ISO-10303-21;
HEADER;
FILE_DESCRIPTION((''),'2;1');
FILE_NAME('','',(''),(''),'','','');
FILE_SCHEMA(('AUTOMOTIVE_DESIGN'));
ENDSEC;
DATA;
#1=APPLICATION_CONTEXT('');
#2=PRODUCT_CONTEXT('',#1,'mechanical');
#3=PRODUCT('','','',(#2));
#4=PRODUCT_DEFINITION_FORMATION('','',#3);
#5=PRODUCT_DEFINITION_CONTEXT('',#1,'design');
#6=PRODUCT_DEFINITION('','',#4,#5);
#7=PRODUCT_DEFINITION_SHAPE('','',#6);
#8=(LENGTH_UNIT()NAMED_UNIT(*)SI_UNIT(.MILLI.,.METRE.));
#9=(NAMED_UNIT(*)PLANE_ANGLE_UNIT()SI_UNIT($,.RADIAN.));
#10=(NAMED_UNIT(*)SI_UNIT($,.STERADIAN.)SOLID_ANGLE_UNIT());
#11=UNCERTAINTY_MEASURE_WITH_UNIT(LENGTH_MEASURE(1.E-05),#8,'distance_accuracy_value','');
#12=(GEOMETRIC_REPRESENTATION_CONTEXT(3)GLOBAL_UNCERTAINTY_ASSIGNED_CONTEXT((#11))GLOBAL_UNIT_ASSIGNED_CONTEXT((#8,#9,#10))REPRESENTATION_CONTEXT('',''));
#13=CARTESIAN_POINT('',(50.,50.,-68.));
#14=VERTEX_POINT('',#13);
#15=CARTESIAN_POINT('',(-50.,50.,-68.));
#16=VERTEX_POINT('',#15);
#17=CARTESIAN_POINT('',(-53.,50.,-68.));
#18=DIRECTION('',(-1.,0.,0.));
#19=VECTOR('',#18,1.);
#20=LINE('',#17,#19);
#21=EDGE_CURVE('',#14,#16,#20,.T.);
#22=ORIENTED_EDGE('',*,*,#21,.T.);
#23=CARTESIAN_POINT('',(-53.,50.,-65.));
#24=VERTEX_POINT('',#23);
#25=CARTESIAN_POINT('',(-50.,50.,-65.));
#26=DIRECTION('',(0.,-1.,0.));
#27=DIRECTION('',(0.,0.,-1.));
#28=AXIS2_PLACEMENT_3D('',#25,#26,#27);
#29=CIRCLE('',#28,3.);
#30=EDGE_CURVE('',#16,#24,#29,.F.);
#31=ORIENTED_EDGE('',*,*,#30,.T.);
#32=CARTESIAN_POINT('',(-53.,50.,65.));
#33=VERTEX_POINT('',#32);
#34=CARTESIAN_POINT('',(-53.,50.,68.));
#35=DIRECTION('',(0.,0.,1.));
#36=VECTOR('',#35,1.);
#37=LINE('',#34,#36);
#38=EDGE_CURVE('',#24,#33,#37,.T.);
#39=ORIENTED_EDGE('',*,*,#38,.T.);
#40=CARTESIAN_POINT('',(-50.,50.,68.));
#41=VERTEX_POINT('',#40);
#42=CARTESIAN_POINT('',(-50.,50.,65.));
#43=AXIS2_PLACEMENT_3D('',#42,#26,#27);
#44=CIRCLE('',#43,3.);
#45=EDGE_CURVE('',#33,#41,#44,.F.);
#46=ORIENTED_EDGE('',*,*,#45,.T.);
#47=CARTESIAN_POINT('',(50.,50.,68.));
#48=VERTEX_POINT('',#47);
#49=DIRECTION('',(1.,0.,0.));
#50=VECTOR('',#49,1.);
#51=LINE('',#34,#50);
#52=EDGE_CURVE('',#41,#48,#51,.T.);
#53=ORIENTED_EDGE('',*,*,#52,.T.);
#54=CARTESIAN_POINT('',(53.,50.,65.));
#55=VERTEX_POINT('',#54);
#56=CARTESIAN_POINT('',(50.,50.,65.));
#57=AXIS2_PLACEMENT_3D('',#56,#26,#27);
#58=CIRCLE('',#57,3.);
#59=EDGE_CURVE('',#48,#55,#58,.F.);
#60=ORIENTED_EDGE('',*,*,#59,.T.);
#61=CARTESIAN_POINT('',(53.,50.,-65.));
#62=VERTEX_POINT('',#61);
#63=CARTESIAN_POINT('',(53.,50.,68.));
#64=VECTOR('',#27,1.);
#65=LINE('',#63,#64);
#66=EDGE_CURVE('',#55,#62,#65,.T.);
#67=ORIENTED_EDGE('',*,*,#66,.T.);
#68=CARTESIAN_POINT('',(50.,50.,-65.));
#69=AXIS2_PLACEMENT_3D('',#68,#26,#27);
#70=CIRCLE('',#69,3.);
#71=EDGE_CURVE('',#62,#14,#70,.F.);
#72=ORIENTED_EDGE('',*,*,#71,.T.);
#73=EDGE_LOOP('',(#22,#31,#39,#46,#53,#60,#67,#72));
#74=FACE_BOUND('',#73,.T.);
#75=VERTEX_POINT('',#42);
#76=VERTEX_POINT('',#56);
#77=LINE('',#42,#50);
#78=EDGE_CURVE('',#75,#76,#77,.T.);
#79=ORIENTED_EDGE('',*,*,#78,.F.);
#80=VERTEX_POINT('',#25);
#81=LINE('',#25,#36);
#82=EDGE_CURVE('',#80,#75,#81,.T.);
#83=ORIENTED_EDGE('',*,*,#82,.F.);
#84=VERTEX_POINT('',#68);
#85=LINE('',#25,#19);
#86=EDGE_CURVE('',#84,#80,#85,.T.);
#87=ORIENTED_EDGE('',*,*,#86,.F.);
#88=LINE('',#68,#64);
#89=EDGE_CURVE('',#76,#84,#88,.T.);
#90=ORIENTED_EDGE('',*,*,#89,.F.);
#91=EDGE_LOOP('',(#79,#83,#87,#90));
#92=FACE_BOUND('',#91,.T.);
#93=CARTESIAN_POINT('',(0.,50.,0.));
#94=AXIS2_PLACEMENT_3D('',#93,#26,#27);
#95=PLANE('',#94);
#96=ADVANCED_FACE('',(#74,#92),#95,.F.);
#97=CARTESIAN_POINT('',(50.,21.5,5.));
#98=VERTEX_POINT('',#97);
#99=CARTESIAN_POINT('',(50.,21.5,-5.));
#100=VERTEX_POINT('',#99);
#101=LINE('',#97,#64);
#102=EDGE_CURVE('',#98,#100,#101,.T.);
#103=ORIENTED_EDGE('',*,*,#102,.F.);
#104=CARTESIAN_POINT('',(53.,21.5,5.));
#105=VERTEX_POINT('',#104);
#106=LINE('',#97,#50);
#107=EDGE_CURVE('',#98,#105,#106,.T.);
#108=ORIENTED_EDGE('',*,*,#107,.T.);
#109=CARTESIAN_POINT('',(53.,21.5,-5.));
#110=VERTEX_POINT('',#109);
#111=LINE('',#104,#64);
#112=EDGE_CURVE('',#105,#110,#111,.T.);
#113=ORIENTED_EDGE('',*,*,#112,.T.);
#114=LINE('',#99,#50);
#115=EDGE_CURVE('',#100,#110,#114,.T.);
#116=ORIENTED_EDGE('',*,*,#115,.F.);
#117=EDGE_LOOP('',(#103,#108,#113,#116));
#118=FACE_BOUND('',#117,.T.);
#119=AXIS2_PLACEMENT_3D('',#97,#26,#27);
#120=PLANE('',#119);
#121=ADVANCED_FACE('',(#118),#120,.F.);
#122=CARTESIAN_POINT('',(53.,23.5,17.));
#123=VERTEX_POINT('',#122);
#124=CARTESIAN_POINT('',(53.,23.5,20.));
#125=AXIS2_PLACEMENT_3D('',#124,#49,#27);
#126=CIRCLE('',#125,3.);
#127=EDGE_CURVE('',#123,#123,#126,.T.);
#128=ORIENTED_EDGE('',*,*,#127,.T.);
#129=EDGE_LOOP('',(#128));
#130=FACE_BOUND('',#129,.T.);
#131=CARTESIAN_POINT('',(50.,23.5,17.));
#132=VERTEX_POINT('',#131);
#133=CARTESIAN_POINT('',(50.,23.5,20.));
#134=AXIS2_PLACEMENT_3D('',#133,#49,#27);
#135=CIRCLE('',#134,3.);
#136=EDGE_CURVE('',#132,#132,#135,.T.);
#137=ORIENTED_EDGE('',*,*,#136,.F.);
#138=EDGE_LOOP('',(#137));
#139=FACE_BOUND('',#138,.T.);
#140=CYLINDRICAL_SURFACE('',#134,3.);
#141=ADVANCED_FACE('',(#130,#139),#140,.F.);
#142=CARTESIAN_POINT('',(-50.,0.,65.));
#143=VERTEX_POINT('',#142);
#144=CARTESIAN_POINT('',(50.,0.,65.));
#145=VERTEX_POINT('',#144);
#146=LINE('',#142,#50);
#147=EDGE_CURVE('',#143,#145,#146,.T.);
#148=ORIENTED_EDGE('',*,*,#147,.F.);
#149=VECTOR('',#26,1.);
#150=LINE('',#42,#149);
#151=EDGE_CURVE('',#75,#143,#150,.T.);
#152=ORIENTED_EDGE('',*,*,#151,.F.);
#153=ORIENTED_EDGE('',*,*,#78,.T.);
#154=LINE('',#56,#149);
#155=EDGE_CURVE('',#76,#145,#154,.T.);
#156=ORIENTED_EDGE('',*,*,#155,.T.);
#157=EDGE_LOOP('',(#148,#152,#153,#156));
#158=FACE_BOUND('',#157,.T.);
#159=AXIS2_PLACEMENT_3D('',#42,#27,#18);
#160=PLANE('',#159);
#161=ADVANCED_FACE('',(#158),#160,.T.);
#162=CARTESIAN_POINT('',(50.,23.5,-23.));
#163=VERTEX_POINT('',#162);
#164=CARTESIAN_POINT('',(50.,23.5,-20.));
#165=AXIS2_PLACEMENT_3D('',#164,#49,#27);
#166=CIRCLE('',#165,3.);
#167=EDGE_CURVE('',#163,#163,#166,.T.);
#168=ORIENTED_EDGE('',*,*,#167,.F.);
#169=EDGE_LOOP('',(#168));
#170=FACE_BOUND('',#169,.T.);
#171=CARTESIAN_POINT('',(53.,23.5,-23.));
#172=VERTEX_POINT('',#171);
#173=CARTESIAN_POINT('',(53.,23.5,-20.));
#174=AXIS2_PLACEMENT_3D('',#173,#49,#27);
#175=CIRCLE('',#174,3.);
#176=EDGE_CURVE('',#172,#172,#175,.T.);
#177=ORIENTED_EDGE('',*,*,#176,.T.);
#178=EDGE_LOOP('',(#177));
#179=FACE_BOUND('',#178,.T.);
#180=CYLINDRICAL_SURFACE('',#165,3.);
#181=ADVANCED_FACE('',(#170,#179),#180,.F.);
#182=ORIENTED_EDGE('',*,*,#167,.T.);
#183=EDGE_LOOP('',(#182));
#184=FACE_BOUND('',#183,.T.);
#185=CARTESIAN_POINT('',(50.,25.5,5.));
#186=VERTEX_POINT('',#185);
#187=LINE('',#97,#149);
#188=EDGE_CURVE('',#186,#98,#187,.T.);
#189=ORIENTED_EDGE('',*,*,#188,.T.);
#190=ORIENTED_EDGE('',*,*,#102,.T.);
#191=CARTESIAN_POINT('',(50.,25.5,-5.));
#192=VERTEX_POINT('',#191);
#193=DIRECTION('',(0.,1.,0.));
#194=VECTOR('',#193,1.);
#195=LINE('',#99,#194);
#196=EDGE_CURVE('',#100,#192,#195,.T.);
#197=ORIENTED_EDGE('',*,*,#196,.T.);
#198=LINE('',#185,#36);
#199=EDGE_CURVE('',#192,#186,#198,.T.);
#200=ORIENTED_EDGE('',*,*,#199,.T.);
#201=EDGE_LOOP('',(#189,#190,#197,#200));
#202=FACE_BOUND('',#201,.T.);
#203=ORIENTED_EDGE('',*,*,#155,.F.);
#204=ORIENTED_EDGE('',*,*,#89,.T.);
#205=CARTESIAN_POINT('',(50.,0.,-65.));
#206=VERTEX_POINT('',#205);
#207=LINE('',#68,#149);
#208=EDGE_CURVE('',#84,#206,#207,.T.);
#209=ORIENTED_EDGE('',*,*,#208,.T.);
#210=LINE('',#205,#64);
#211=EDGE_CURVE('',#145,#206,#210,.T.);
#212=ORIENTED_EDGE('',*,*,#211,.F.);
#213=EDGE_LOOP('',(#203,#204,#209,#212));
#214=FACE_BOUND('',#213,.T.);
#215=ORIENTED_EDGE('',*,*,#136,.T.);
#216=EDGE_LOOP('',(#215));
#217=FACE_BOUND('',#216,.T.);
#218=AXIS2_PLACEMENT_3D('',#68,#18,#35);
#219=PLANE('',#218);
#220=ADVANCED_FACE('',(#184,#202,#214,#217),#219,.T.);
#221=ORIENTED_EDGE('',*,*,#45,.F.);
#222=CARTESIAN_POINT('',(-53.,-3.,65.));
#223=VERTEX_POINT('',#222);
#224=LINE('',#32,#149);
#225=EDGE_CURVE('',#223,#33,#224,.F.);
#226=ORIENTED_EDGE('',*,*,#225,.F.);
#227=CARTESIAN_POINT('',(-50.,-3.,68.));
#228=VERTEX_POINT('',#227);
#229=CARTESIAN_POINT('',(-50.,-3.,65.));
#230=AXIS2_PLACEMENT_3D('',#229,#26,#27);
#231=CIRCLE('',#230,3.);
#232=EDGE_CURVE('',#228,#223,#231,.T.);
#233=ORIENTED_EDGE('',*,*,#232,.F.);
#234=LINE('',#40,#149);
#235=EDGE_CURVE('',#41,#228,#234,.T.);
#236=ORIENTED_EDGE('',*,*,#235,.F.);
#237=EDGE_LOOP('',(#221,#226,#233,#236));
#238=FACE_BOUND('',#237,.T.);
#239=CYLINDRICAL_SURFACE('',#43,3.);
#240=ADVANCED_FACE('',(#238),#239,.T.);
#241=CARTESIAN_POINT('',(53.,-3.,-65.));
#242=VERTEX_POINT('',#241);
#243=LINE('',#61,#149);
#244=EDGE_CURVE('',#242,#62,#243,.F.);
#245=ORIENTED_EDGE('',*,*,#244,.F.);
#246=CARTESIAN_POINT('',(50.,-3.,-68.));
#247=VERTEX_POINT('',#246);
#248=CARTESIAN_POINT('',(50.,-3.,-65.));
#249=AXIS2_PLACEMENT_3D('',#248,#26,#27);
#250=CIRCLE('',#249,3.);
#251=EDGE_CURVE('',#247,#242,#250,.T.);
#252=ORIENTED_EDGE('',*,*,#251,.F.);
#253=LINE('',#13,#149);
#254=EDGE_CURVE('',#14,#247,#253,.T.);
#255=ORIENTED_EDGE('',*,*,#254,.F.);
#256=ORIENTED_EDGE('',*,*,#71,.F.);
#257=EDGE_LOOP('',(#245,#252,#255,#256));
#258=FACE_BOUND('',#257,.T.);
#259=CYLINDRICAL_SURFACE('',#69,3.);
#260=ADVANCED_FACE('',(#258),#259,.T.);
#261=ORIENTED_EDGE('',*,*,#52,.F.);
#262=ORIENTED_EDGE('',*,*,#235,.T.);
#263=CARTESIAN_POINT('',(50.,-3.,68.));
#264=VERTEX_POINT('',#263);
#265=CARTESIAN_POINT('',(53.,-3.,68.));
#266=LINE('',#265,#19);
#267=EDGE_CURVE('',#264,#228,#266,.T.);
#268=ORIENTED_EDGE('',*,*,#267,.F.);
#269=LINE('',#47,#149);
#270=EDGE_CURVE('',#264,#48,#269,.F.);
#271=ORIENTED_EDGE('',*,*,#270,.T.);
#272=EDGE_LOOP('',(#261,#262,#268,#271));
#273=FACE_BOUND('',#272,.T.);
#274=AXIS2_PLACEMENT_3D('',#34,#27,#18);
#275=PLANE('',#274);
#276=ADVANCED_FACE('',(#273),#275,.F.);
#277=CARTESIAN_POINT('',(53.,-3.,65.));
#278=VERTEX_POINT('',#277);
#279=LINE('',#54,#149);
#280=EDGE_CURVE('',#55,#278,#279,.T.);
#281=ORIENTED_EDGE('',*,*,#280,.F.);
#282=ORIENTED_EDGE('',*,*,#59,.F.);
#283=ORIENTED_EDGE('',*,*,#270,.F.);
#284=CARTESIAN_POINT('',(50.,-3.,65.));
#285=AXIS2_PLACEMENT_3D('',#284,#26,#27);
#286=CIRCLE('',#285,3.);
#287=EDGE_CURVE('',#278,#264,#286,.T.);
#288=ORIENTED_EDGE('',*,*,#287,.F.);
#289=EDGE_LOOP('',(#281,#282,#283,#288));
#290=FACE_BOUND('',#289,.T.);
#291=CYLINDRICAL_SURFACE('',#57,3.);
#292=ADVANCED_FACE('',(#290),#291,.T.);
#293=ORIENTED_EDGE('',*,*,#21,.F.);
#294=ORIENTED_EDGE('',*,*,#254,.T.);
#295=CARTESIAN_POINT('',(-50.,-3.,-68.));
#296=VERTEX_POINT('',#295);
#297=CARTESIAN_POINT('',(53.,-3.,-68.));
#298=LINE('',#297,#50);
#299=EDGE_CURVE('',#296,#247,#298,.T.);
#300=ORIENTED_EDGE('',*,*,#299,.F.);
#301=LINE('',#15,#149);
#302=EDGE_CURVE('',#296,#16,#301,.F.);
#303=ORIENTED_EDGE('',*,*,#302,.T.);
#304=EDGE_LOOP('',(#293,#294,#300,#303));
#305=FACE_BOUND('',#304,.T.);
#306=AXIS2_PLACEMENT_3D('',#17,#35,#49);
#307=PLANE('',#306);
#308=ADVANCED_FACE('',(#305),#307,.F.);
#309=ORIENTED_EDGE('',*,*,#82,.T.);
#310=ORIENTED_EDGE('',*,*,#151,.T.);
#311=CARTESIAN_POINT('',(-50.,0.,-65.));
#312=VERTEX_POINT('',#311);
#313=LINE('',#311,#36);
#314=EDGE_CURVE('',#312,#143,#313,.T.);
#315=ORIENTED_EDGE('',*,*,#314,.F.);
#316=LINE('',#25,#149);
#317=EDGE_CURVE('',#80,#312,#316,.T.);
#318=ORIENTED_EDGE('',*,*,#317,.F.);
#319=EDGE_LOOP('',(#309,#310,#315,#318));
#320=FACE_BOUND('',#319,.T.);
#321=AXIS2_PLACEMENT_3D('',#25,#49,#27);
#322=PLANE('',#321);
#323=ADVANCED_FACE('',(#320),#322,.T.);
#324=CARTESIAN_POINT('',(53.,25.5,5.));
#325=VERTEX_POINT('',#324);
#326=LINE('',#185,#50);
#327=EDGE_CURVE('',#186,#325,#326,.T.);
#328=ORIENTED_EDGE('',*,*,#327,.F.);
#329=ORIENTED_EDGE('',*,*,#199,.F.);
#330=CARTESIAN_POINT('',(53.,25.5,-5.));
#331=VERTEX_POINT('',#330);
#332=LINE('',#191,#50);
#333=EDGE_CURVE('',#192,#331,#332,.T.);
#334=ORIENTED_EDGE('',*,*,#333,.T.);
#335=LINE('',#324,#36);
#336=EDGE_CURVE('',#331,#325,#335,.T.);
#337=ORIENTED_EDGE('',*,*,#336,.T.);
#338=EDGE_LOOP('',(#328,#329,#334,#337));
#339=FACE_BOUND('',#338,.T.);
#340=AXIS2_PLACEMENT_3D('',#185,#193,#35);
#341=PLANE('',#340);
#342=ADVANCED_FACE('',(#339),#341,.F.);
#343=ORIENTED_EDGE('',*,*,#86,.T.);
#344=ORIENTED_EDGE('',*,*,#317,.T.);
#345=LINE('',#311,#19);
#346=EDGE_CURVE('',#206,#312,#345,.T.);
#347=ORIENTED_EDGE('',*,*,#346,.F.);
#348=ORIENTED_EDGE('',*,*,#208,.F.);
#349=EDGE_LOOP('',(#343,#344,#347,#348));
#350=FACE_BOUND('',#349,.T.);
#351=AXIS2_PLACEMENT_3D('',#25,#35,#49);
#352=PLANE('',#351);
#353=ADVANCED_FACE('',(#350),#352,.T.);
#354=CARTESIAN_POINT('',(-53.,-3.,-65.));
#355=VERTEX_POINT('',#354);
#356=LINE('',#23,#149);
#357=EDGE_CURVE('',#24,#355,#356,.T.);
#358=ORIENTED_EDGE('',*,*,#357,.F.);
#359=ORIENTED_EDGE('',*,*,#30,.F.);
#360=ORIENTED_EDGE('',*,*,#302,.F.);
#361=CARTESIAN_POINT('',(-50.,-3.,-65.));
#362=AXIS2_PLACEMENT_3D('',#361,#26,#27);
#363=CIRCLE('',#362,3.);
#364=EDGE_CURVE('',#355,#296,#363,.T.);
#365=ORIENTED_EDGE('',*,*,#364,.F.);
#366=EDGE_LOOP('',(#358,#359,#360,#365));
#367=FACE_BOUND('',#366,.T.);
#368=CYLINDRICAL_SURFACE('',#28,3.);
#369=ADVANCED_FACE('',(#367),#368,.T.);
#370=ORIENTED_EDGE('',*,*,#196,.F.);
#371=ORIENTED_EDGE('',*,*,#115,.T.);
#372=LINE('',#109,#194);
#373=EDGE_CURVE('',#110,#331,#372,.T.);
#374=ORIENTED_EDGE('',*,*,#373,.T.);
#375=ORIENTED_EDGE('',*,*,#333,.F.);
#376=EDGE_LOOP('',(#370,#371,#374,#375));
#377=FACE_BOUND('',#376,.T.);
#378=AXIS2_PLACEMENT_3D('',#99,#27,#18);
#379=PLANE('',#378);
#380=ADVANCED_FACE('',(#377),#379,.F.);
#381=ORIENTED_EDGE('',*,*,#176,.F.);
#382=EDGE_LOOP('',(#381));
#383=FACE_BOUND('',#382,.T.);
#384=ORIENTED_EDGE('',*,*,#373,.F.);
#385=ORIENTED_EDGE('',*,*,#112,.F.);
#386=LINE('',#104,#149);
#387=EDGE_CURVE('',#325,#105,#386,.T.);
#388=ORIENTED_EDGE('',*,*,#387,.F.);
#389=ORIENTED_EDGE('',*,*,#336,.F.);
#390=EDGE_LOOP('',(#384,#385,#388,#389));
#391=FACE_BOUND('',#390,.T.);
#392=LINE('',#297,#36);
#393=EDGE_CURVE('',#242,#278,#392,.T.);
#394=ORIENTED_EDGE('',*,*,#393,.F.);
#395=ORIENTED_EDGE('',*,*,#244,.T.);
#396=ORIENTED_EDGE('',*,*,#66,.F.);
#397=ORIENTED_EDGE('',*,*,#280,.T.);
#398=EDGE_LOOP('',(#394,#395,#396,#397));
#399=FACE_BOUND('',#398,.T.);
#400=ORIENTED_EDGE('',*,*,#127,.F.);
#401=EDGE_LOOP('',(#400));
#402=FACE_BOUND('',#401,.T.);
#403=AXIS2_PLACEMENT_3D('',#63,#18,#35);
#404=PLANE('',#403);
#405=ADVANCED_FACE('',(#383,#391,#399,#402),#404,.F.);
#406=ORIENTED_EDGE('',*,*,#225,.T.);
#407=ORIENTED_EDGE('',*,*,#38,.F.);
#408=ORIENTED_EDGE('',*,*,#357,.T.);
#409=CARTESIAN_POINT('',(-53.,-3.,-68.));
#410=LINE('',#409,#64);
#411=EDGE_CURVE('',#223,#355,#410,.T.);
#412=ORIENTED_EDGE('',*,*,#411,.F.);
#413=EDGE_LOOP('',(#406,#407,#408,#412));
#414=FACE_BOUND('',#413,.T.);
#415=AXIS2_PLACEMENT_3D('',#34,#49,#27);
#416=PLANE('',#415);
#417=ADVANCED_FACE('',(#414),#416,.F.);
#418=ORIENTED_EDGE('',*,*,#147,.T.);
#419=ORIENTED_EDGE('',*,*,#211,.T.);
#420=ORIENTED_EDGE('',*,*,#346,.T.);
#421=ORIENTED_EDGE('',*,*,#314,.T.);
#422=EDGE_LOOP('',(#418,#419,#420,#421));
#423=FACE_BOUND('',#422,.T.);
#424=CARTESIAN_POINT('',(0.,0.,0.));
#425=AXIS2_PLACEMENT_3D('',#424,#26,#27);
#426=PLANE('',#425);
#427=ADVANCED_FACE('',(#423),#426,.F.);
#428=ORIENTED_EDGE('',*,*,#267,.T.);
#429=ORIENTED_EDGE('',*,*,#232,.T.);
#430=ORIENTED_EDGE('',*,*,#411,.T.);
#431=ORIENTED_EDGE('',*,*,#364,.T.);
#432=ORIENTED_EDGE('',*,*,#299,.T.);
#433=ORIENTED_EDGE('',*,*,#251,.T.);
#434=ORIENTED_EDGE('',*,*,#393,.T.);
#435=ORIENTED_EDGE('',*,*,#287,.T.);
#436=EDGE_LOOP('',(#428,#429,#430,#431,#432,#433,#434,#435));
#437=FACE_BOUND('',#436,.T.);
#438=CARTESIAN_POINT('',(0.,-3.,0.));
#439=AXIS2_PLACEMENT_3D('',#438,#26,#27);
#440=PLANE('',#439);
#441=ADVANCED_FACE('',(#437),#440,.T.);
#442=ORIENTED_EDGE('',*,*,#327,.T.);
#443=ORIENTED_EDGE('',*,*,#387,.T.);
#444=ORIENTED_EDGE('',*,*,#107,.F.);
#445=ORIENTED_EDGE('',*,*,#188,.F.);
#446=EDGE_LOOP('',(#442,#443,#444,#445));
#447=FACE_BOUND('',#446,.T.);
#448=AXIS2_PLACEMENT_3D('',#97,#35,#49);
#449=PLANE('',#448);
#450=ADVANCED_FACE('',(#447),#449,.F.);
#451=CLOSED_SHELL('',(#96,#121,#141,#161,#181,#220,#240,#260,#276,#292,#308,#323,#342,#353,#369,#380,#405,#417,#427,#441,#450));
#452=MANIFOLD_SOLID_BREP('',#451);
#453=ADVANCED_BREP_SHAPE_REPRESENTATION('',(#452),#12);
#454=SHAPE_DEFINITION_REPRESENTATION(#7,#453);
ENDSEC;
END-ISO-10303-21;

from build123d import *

# Parameters (mm, degrees)
ESQUISSE1_W             = 106
ESQUISSE1_H             = 136
ESQUISSE1_W_2           = 100
ESQUISSE1_H_2           = 130
BOSS_EXTRU_1_DEPTH      = 50
ESQUISSE2_W             = 106
ESQUISSE2_H             = 136
BOSS_EXTRU_2_DEPTH      = 3
CONG_1_R                = 3
ESQUISSE3_R             = 3
ESQUISSE3_W             = 10
ESQUISSE3_H             = 4
ENL_V_MAT_EXTRU_1_DEPTH = 3


with BuildPart() as part:
    # Esquisse1 → Boss.-Extru.1 (new body)
    with BuildSketch(Plane(origin=(0, 0, 0), x_dir=(1, 0, 0), z_dir=(0, 1, 0))):
        Rectangle(ESQUISSE1_W, ESQUISSE1_H)
        Rectangle(ESQUISSE1_W_2, ESQUISSE1_H_2, mode=Mode.SUBTRACT)
    extrude(amount=BOSS_EXTRU_1_DEPTH)

    # Esquisse2 → Boss.-Extru.2 (add)
    with BuildSketch(Plane.XZ):
        Rectangle(ESQUISSE2_W, ESQUISSE2_H)
    extrude(amount=BOSS_EXTRU_2_DEPTH)

    # Congé1
    cong_1_edges = [part.edges().sort_by_distance(p)[0] for p in [
        (53, 23.5, 68),
        (-53, 23.5, 68),
        (-53, 23.5, -68),
        (53, 23.5, -68),
    ]]
    fillet(cong_1_edges, radius=CONG_1_R)

    # Esquisse3 → Enlèv. mat.-Extru.1 (cut)
    with BuildSketch(Plane(origin=(53, 0, 0), x_dir=(0, 0, -1), z_dir=(1, 0, 0))):
        with Locations((-20, 23.5)):
            Circle(ESQUISSE3_R)
        with Locations((20, 23.5)):
            Circle(ESQUISSE3_R)
        with Locations((0, 23.5)):
            Rectangle(ESQUISSE3_W, ESQUISSE3_H)
    extrude(amount=-ENL_V_MAT_EXTRU_1_DEPTH, mode=Mode.SUBTRACT)


solid = part.part
